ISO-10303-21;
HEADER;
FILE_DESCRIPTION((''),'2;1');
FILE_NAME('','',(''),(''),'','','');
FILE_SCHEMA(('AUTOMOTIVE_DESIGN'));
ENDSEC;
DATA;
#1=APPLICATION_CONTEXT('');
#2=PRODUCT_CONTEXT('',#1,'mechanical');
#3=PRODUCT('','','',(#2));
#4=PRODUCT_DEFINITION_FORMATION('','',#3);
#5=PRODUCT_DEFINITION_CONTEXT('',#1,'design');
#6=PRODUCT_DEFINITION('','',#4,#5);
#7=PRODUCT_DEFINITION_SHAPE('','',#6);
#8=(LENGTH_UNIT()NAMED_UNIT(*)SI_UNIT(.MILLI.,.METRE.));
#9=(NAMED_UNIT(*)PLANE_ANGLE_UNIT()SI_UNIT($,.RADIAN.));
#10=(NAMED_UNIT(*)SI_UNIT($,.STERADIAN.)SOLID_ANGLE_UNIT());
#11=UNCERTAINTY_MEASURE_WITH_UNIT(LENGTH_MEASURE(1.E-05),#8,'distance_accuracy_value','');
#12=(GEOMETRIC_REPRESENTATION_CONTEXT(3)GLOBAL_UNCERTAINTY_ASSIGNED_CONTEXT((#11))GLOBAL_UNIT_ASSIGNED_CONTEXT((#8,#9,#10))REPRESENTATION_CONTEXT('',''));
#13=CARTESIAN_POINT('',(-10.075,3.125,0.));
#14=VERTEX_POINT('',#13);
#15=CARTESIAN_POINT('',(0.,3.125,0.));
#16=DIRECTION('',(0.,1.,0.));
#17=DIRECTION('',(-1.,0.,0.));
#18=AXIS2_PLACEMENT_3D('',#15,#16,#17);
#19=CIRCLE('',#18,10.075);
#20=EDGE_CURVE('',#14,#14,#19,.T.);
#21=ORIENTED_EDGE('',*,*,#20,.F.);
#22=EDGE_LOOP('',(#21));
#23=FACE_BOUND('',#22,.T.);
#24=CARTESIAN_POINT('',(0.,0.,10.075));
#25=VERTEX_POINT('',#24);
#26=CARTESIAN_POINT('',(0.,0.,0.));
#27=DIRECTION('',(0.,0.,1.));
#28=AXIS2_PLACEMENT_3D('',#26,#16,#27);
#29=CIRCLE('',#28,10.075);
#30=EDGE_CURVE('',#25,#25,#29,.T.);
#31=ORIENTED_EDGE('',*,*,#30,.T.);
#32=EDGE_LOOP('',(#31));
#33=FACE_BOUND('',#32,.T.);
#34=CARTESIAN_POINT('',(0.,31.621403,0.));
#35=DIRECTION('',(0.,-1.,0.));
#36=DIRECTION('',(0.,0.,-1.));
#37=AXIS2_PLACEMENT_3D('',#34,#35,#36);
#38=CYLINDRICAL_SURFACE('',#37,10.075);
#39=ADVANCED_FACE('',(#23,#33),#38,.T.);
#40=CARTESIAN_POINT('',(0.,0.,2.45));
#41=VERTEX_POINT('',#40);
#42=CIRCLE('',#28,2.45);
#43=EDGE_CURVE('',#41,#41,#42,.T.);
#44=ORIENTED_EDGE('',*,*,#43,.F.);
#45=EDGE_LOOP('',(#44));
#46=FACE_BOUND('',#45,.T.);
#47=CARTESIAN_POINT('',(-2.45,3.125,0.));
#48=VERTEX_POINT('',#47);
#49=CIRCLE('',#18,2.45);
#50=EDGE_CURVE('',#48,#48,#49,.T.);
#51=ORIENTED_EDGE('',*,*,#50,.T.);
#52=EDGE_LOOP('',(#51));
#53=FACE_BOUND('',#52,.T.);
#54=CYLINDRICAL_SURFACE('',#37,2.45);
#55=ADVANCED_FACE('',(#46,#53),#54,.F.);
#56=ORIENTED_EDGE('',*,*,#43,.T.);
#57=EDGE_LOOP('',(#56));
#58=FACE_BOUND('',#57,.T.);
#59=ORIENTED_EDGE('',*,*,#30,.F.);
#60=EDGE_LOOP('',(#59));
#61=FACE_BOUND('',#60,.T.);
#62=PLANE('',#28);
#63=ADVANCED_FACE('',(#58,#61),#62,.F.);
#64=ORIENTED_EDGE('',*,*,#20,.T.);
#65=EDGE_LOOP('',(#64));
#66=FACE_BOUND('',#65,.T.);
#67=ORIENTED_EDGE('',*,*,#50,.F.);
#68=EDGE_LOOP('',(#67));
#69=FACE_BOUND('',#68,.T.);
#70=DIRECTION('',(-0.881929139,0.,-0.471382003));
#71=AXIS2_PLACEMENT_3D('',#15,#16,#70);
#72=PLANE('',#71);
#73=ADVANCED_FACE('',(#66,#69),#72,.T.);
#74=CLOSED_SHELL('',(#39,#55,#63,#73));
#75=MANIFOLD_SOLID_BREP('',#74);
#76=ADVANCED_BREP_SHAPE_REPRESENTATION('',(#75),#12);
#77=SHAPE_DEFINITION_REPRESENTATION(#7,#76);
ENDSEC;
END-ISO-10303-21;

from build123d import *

# Parameters (mm, degrees)
SKETCH1_R           = 10.075
SKETCH1_R_2         = 2.45
BOSS_EXTRUDE1_DEPTH = 3.125


with BuildPart() as part:
    # Sketch1 → Boss-Extrude1 (new body)
    with BuildSketch(Plane(origin=(0, 0, 0), x_dir=(1, 0, 0), z_dir=(0, 1, 0))):
        with Locations(Location((0, 0, 0), (0, 0, 180))):
            Circle(SKETCH1_R)
        with Locations(Location((0, 0, 0), (0, 0, 180))):
            Circle(SKETCH1_R_2, mode=Mode.SUBTRACT)
    extrude(amount=BOSS_EXTRUDE1_DEPTH)


solid = part.part
